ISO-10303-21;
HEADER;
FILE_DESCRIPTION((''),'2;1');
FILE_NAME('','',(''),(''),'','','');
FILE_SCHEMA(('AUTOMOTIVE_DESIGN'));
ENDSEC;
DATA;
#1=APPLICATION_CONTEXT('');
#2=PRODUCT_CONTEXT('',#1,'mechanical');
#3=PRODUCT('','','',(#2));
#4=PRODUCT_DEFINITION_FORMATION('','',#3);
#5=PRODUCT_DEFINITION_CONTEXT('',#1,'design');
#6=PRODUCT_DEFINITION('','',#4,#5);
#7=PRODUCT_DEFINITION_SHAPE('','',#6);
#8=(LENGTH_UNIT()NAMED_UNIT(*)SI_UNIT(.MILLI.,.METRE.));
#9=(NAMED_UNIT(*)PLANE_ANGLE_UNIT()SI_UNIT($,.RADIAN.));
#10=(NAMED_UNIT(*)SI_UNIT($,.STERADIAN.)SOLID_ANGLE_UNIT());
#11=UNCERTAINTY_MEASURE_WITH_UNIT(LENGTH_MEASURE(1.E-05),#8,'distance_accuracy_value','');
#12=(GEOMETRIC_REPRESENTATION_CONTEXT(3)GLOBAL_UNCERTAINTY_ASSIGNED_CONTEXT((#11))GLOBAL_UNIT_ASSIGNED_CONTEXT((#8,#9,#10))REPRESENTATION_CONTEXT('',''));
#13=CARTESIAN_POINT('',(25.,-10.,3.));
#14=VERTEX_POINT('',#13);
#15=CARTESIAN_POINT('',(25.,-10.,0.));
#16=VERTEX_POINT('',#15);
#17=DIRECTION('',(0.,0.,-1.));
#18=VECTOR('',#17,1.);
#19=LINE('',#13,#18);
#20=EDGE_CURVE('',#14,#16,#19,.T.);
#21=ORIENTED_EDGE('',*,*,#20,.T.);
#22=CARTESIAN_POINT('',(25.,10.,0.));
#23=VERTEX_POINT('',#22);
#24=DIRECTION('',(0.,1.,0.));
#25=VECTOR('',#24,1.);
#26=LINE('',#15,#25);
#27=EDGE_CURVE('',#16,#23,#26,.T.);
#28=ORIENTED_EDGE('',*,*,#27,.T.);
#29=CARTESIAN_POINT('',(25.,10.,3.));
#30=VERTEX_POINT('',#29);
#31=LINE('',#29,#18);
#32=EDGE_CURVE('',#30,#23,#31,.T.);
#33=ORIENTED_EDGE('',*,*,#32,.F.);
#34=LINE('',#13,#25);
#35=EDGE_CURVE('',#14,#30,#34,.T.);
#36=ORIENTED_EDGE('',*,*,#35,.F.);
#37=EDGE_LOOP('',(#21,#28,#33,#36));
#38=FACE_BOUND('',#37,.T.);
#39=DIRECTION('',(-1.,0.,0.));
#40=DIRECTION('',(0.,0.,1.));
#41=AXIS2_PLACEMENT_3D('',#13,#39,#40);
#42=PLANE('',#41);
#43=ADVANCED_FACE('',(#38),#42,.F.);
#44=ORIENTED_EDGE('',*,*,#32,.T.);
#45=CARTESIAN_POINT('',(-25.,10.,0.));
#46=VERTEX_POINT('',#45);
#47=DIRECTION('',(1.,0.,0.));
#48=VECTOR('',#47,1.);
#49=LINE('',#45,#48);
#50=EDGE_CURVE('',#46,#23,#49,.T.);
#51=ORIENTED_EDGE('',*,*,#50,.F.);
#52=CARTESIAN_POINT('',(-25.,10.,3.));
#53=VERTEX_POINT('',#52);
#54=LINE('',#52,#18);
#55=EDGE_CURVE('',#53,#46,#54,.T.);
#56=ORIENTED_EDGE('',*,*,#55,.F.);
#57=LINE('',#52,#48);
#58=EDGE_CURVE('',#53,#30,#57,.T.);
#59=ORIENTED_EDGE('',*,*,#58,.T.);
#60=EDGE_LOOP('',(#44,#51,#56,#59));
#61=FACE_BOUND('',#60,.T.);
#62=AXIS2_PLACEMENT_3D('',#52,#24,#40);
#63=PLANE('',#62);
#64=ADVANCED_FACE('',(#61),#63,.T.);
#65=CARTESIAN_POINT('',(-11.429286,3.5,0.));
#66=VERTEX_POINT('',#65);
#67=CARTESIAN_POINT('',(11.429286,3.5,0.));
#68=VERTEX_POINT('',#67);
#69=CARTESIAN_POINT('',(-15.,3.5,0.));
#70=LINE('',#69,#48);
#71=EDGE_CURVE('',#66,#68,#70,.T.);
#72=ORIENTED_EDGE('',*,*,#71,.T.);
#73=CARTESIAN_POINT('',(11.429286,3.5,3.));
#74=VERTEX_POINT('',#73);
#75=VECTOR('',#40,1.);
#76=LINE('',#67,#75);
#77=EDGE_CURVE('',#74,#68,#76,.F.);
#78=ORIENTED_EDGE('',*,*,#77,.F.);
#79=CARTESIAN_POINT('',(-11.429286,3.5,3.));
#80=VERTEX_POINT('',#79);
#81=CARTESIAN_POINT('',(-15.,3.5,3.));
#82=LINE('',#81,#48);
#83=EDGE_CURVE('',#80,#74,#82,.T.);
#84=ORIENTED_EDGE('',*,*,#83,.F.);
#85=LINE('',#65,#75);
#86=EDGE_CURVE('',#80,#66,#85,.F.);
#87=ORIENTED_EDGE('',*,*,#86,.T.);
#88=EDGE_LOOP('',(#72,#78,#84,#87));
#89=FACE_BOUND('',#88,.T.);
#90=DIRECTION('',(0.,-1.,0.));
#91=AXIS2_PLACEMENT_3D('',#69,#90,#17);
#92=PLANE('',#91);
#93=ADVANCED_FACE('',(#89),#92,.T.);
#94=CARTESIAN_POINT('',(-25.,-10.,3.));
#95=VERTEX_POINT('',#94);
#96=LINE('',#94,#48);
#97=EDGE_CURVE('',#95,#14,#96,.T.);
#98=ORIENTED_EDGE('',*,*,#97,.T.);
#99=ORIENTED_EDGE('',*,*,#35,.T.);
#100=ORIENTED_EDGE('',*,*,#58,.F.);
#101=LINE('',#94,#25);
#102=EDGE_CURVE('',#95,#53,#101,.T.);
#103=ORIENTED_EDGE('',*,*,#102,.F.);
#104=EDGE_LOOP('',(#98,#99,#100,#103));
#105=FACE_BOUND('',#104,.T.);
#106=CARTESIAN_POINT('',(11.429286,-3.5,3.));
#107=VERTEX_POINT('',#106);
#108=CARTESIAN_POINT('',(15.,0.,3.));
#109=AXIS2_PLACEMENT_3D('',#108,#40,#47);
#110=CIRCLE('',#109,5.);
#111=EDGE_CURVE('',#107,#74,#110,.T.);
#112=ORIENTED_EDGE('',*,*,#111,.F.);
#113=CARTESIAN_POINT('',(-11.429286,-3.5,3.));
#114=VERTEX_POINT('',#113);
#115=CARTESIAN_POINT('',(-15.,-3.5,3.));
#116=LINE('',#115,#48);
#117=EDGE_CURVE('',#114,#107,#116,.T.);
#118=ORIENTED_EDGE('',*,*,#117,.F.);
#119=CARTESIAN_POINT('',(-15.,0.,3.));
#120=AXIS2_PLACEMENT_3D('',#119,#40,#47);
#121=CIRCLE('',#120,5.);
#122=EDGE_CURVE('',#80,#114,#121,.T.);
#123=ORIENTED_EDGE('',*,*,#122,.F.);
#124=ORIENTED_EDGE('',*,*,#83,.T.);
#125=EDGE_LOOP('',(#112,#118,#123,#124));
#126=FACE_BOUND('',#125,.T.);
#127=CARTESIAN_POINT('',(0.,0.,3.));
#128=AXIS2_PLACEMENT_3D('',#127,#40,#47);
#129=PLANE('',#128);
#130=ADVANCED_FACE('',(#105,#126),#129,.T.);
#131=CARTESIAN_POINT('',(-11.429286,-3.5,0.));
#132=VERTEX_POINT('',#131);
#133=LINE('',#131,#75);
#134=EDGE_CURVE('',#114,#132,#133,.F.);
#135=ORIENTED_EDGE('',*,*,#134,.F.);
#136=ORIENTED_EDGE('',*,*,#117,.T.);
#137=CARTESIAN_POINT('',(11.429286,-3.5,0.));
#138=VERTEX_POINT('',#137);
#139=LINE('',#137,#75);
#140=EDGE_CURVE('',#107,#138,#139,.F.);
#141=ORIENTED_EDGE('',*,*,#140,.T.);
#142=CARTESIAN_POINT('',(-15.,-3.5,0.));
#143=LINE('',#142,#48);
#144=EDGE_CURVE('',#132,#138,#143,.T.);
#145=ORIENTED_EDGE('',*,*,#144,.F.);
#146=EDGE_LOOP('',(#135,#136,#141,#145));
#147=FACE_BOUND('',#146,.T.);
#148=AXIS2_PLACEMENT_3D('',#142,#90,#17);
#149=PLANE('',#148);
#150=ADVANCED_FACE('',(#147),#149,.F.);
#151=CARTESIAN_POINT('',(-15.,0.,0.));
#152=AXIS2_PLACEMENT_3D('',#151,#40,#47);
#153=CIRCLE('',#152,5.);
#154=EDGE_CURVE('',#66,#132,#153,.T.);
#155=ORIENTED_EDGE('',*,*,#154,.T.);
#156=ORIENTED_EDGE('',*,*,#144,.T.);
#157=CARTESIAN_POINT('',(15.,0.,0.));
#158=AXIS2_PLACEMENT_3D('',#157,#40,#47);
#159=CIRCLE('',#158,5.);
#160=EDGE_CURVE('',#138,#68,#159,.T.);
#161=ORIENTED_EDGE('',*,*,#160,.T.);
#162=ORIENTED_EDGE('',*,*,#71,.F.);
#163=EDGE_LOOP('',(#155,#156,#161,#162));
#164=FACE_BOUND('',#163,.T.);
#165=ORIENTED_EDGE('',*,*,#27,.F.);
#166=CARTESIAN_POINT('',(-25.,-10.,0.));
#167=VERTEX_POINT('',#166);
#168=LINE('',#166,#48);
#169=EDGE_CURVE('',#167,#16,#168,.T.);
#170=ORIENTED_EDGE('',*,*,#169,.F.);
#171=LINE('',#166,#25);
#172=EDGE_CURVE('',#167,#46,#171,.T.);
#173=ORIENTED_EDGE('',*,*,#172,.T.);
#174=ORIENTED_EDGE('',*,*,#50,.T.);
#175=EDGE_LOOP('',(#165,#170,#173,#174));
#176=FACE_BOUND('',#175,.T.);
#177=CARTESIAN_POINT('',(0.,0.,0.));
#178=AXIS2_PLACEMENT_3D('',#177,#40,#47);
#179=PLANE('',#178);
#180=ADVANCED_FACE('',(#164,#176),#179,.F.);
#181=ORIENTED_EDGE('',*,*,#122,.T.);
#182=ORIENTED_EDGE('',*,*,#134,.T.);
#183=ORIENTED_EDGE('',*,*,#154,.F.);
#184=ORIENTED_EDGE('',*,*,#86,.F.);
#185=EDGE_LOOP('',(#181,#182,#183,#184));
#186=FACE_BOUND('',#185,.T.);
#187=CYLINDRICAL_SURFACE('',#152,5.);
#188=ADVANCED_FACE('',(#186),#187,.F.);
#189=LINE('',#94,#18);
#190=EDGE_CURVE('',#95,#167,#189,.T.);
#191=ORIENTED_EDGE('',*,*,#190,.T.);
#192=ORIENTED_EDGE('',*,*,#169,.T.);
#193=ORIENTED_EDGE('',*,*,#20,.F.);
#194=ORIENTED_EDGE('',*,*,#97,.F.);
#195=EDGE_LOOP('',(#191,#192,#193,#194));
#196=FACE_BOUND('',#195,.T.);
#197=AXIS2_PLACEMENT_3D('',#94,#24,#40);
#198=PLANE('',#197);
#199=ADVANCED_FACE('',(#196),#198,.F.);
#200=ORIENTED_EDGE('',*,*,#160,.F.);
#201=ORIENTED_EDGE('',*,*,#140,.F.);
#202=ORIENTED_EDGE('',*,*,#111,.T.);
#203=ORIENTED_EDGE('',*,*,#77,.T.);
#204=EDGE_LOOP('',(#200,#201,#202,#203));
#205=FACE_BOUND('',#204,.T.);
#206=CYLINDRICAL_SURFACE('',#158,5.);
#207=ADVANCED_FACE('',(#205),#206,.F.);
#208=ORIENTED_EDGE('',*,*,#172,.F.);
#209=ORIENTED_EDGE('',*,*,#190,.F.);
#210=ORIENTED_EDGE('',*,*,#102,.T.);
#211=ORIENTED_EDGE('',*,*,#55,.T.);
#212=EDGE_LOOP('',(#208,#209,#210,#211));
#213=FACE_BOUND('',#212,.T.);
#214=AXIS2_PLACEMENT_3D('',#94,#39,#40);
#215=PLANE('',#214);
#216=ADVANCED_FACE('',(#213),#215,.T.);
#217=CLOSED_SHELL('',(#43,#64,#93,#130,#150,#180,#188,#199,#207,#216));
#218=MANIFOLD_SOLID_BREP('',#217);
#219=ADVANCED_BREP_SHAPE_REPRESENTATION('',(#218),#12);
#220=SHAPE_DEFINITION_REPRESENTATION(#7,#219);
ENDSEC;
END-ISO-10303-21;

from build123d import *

# Parameters (mm, degrees)
SKETCH_1_W          = 50
SKETCH_1_H          = 20
EXTRUDE_1_DEPTH     = 3
SKETCH_2_R          = 5
SKETCH_2_W          = 30
SKETCH_2_H          = 7
CUT_EXTRUDE_1_DEPTH = 3


with BuildPart() as part:
    # 스케치1 → 보스-돌출1 (new body)
    with BuildSketch(Plane.XY):
        Rectangle(SKETCH_1_W, SKETCH_1_H)
    extrude(amount=EXTRUDE_1_DEPTH)

    # 스케치2 → 컷-돌출1 (cut)
    with BuildSketch(Plane.XY.offset(3)):
        with Locations((-15, 0)):
            Circle(SKETCH_2_R)
        with Locations((15, 0)):
            Circle(SKETCH_2_R)
        Rectangle(SKETCH_2_W, SKETCH_2_H)
    extrude(amount=-CUT_EXTRUDE_1_DEPTH, mode=Mode.SUBTRACT)


solid = part.part
